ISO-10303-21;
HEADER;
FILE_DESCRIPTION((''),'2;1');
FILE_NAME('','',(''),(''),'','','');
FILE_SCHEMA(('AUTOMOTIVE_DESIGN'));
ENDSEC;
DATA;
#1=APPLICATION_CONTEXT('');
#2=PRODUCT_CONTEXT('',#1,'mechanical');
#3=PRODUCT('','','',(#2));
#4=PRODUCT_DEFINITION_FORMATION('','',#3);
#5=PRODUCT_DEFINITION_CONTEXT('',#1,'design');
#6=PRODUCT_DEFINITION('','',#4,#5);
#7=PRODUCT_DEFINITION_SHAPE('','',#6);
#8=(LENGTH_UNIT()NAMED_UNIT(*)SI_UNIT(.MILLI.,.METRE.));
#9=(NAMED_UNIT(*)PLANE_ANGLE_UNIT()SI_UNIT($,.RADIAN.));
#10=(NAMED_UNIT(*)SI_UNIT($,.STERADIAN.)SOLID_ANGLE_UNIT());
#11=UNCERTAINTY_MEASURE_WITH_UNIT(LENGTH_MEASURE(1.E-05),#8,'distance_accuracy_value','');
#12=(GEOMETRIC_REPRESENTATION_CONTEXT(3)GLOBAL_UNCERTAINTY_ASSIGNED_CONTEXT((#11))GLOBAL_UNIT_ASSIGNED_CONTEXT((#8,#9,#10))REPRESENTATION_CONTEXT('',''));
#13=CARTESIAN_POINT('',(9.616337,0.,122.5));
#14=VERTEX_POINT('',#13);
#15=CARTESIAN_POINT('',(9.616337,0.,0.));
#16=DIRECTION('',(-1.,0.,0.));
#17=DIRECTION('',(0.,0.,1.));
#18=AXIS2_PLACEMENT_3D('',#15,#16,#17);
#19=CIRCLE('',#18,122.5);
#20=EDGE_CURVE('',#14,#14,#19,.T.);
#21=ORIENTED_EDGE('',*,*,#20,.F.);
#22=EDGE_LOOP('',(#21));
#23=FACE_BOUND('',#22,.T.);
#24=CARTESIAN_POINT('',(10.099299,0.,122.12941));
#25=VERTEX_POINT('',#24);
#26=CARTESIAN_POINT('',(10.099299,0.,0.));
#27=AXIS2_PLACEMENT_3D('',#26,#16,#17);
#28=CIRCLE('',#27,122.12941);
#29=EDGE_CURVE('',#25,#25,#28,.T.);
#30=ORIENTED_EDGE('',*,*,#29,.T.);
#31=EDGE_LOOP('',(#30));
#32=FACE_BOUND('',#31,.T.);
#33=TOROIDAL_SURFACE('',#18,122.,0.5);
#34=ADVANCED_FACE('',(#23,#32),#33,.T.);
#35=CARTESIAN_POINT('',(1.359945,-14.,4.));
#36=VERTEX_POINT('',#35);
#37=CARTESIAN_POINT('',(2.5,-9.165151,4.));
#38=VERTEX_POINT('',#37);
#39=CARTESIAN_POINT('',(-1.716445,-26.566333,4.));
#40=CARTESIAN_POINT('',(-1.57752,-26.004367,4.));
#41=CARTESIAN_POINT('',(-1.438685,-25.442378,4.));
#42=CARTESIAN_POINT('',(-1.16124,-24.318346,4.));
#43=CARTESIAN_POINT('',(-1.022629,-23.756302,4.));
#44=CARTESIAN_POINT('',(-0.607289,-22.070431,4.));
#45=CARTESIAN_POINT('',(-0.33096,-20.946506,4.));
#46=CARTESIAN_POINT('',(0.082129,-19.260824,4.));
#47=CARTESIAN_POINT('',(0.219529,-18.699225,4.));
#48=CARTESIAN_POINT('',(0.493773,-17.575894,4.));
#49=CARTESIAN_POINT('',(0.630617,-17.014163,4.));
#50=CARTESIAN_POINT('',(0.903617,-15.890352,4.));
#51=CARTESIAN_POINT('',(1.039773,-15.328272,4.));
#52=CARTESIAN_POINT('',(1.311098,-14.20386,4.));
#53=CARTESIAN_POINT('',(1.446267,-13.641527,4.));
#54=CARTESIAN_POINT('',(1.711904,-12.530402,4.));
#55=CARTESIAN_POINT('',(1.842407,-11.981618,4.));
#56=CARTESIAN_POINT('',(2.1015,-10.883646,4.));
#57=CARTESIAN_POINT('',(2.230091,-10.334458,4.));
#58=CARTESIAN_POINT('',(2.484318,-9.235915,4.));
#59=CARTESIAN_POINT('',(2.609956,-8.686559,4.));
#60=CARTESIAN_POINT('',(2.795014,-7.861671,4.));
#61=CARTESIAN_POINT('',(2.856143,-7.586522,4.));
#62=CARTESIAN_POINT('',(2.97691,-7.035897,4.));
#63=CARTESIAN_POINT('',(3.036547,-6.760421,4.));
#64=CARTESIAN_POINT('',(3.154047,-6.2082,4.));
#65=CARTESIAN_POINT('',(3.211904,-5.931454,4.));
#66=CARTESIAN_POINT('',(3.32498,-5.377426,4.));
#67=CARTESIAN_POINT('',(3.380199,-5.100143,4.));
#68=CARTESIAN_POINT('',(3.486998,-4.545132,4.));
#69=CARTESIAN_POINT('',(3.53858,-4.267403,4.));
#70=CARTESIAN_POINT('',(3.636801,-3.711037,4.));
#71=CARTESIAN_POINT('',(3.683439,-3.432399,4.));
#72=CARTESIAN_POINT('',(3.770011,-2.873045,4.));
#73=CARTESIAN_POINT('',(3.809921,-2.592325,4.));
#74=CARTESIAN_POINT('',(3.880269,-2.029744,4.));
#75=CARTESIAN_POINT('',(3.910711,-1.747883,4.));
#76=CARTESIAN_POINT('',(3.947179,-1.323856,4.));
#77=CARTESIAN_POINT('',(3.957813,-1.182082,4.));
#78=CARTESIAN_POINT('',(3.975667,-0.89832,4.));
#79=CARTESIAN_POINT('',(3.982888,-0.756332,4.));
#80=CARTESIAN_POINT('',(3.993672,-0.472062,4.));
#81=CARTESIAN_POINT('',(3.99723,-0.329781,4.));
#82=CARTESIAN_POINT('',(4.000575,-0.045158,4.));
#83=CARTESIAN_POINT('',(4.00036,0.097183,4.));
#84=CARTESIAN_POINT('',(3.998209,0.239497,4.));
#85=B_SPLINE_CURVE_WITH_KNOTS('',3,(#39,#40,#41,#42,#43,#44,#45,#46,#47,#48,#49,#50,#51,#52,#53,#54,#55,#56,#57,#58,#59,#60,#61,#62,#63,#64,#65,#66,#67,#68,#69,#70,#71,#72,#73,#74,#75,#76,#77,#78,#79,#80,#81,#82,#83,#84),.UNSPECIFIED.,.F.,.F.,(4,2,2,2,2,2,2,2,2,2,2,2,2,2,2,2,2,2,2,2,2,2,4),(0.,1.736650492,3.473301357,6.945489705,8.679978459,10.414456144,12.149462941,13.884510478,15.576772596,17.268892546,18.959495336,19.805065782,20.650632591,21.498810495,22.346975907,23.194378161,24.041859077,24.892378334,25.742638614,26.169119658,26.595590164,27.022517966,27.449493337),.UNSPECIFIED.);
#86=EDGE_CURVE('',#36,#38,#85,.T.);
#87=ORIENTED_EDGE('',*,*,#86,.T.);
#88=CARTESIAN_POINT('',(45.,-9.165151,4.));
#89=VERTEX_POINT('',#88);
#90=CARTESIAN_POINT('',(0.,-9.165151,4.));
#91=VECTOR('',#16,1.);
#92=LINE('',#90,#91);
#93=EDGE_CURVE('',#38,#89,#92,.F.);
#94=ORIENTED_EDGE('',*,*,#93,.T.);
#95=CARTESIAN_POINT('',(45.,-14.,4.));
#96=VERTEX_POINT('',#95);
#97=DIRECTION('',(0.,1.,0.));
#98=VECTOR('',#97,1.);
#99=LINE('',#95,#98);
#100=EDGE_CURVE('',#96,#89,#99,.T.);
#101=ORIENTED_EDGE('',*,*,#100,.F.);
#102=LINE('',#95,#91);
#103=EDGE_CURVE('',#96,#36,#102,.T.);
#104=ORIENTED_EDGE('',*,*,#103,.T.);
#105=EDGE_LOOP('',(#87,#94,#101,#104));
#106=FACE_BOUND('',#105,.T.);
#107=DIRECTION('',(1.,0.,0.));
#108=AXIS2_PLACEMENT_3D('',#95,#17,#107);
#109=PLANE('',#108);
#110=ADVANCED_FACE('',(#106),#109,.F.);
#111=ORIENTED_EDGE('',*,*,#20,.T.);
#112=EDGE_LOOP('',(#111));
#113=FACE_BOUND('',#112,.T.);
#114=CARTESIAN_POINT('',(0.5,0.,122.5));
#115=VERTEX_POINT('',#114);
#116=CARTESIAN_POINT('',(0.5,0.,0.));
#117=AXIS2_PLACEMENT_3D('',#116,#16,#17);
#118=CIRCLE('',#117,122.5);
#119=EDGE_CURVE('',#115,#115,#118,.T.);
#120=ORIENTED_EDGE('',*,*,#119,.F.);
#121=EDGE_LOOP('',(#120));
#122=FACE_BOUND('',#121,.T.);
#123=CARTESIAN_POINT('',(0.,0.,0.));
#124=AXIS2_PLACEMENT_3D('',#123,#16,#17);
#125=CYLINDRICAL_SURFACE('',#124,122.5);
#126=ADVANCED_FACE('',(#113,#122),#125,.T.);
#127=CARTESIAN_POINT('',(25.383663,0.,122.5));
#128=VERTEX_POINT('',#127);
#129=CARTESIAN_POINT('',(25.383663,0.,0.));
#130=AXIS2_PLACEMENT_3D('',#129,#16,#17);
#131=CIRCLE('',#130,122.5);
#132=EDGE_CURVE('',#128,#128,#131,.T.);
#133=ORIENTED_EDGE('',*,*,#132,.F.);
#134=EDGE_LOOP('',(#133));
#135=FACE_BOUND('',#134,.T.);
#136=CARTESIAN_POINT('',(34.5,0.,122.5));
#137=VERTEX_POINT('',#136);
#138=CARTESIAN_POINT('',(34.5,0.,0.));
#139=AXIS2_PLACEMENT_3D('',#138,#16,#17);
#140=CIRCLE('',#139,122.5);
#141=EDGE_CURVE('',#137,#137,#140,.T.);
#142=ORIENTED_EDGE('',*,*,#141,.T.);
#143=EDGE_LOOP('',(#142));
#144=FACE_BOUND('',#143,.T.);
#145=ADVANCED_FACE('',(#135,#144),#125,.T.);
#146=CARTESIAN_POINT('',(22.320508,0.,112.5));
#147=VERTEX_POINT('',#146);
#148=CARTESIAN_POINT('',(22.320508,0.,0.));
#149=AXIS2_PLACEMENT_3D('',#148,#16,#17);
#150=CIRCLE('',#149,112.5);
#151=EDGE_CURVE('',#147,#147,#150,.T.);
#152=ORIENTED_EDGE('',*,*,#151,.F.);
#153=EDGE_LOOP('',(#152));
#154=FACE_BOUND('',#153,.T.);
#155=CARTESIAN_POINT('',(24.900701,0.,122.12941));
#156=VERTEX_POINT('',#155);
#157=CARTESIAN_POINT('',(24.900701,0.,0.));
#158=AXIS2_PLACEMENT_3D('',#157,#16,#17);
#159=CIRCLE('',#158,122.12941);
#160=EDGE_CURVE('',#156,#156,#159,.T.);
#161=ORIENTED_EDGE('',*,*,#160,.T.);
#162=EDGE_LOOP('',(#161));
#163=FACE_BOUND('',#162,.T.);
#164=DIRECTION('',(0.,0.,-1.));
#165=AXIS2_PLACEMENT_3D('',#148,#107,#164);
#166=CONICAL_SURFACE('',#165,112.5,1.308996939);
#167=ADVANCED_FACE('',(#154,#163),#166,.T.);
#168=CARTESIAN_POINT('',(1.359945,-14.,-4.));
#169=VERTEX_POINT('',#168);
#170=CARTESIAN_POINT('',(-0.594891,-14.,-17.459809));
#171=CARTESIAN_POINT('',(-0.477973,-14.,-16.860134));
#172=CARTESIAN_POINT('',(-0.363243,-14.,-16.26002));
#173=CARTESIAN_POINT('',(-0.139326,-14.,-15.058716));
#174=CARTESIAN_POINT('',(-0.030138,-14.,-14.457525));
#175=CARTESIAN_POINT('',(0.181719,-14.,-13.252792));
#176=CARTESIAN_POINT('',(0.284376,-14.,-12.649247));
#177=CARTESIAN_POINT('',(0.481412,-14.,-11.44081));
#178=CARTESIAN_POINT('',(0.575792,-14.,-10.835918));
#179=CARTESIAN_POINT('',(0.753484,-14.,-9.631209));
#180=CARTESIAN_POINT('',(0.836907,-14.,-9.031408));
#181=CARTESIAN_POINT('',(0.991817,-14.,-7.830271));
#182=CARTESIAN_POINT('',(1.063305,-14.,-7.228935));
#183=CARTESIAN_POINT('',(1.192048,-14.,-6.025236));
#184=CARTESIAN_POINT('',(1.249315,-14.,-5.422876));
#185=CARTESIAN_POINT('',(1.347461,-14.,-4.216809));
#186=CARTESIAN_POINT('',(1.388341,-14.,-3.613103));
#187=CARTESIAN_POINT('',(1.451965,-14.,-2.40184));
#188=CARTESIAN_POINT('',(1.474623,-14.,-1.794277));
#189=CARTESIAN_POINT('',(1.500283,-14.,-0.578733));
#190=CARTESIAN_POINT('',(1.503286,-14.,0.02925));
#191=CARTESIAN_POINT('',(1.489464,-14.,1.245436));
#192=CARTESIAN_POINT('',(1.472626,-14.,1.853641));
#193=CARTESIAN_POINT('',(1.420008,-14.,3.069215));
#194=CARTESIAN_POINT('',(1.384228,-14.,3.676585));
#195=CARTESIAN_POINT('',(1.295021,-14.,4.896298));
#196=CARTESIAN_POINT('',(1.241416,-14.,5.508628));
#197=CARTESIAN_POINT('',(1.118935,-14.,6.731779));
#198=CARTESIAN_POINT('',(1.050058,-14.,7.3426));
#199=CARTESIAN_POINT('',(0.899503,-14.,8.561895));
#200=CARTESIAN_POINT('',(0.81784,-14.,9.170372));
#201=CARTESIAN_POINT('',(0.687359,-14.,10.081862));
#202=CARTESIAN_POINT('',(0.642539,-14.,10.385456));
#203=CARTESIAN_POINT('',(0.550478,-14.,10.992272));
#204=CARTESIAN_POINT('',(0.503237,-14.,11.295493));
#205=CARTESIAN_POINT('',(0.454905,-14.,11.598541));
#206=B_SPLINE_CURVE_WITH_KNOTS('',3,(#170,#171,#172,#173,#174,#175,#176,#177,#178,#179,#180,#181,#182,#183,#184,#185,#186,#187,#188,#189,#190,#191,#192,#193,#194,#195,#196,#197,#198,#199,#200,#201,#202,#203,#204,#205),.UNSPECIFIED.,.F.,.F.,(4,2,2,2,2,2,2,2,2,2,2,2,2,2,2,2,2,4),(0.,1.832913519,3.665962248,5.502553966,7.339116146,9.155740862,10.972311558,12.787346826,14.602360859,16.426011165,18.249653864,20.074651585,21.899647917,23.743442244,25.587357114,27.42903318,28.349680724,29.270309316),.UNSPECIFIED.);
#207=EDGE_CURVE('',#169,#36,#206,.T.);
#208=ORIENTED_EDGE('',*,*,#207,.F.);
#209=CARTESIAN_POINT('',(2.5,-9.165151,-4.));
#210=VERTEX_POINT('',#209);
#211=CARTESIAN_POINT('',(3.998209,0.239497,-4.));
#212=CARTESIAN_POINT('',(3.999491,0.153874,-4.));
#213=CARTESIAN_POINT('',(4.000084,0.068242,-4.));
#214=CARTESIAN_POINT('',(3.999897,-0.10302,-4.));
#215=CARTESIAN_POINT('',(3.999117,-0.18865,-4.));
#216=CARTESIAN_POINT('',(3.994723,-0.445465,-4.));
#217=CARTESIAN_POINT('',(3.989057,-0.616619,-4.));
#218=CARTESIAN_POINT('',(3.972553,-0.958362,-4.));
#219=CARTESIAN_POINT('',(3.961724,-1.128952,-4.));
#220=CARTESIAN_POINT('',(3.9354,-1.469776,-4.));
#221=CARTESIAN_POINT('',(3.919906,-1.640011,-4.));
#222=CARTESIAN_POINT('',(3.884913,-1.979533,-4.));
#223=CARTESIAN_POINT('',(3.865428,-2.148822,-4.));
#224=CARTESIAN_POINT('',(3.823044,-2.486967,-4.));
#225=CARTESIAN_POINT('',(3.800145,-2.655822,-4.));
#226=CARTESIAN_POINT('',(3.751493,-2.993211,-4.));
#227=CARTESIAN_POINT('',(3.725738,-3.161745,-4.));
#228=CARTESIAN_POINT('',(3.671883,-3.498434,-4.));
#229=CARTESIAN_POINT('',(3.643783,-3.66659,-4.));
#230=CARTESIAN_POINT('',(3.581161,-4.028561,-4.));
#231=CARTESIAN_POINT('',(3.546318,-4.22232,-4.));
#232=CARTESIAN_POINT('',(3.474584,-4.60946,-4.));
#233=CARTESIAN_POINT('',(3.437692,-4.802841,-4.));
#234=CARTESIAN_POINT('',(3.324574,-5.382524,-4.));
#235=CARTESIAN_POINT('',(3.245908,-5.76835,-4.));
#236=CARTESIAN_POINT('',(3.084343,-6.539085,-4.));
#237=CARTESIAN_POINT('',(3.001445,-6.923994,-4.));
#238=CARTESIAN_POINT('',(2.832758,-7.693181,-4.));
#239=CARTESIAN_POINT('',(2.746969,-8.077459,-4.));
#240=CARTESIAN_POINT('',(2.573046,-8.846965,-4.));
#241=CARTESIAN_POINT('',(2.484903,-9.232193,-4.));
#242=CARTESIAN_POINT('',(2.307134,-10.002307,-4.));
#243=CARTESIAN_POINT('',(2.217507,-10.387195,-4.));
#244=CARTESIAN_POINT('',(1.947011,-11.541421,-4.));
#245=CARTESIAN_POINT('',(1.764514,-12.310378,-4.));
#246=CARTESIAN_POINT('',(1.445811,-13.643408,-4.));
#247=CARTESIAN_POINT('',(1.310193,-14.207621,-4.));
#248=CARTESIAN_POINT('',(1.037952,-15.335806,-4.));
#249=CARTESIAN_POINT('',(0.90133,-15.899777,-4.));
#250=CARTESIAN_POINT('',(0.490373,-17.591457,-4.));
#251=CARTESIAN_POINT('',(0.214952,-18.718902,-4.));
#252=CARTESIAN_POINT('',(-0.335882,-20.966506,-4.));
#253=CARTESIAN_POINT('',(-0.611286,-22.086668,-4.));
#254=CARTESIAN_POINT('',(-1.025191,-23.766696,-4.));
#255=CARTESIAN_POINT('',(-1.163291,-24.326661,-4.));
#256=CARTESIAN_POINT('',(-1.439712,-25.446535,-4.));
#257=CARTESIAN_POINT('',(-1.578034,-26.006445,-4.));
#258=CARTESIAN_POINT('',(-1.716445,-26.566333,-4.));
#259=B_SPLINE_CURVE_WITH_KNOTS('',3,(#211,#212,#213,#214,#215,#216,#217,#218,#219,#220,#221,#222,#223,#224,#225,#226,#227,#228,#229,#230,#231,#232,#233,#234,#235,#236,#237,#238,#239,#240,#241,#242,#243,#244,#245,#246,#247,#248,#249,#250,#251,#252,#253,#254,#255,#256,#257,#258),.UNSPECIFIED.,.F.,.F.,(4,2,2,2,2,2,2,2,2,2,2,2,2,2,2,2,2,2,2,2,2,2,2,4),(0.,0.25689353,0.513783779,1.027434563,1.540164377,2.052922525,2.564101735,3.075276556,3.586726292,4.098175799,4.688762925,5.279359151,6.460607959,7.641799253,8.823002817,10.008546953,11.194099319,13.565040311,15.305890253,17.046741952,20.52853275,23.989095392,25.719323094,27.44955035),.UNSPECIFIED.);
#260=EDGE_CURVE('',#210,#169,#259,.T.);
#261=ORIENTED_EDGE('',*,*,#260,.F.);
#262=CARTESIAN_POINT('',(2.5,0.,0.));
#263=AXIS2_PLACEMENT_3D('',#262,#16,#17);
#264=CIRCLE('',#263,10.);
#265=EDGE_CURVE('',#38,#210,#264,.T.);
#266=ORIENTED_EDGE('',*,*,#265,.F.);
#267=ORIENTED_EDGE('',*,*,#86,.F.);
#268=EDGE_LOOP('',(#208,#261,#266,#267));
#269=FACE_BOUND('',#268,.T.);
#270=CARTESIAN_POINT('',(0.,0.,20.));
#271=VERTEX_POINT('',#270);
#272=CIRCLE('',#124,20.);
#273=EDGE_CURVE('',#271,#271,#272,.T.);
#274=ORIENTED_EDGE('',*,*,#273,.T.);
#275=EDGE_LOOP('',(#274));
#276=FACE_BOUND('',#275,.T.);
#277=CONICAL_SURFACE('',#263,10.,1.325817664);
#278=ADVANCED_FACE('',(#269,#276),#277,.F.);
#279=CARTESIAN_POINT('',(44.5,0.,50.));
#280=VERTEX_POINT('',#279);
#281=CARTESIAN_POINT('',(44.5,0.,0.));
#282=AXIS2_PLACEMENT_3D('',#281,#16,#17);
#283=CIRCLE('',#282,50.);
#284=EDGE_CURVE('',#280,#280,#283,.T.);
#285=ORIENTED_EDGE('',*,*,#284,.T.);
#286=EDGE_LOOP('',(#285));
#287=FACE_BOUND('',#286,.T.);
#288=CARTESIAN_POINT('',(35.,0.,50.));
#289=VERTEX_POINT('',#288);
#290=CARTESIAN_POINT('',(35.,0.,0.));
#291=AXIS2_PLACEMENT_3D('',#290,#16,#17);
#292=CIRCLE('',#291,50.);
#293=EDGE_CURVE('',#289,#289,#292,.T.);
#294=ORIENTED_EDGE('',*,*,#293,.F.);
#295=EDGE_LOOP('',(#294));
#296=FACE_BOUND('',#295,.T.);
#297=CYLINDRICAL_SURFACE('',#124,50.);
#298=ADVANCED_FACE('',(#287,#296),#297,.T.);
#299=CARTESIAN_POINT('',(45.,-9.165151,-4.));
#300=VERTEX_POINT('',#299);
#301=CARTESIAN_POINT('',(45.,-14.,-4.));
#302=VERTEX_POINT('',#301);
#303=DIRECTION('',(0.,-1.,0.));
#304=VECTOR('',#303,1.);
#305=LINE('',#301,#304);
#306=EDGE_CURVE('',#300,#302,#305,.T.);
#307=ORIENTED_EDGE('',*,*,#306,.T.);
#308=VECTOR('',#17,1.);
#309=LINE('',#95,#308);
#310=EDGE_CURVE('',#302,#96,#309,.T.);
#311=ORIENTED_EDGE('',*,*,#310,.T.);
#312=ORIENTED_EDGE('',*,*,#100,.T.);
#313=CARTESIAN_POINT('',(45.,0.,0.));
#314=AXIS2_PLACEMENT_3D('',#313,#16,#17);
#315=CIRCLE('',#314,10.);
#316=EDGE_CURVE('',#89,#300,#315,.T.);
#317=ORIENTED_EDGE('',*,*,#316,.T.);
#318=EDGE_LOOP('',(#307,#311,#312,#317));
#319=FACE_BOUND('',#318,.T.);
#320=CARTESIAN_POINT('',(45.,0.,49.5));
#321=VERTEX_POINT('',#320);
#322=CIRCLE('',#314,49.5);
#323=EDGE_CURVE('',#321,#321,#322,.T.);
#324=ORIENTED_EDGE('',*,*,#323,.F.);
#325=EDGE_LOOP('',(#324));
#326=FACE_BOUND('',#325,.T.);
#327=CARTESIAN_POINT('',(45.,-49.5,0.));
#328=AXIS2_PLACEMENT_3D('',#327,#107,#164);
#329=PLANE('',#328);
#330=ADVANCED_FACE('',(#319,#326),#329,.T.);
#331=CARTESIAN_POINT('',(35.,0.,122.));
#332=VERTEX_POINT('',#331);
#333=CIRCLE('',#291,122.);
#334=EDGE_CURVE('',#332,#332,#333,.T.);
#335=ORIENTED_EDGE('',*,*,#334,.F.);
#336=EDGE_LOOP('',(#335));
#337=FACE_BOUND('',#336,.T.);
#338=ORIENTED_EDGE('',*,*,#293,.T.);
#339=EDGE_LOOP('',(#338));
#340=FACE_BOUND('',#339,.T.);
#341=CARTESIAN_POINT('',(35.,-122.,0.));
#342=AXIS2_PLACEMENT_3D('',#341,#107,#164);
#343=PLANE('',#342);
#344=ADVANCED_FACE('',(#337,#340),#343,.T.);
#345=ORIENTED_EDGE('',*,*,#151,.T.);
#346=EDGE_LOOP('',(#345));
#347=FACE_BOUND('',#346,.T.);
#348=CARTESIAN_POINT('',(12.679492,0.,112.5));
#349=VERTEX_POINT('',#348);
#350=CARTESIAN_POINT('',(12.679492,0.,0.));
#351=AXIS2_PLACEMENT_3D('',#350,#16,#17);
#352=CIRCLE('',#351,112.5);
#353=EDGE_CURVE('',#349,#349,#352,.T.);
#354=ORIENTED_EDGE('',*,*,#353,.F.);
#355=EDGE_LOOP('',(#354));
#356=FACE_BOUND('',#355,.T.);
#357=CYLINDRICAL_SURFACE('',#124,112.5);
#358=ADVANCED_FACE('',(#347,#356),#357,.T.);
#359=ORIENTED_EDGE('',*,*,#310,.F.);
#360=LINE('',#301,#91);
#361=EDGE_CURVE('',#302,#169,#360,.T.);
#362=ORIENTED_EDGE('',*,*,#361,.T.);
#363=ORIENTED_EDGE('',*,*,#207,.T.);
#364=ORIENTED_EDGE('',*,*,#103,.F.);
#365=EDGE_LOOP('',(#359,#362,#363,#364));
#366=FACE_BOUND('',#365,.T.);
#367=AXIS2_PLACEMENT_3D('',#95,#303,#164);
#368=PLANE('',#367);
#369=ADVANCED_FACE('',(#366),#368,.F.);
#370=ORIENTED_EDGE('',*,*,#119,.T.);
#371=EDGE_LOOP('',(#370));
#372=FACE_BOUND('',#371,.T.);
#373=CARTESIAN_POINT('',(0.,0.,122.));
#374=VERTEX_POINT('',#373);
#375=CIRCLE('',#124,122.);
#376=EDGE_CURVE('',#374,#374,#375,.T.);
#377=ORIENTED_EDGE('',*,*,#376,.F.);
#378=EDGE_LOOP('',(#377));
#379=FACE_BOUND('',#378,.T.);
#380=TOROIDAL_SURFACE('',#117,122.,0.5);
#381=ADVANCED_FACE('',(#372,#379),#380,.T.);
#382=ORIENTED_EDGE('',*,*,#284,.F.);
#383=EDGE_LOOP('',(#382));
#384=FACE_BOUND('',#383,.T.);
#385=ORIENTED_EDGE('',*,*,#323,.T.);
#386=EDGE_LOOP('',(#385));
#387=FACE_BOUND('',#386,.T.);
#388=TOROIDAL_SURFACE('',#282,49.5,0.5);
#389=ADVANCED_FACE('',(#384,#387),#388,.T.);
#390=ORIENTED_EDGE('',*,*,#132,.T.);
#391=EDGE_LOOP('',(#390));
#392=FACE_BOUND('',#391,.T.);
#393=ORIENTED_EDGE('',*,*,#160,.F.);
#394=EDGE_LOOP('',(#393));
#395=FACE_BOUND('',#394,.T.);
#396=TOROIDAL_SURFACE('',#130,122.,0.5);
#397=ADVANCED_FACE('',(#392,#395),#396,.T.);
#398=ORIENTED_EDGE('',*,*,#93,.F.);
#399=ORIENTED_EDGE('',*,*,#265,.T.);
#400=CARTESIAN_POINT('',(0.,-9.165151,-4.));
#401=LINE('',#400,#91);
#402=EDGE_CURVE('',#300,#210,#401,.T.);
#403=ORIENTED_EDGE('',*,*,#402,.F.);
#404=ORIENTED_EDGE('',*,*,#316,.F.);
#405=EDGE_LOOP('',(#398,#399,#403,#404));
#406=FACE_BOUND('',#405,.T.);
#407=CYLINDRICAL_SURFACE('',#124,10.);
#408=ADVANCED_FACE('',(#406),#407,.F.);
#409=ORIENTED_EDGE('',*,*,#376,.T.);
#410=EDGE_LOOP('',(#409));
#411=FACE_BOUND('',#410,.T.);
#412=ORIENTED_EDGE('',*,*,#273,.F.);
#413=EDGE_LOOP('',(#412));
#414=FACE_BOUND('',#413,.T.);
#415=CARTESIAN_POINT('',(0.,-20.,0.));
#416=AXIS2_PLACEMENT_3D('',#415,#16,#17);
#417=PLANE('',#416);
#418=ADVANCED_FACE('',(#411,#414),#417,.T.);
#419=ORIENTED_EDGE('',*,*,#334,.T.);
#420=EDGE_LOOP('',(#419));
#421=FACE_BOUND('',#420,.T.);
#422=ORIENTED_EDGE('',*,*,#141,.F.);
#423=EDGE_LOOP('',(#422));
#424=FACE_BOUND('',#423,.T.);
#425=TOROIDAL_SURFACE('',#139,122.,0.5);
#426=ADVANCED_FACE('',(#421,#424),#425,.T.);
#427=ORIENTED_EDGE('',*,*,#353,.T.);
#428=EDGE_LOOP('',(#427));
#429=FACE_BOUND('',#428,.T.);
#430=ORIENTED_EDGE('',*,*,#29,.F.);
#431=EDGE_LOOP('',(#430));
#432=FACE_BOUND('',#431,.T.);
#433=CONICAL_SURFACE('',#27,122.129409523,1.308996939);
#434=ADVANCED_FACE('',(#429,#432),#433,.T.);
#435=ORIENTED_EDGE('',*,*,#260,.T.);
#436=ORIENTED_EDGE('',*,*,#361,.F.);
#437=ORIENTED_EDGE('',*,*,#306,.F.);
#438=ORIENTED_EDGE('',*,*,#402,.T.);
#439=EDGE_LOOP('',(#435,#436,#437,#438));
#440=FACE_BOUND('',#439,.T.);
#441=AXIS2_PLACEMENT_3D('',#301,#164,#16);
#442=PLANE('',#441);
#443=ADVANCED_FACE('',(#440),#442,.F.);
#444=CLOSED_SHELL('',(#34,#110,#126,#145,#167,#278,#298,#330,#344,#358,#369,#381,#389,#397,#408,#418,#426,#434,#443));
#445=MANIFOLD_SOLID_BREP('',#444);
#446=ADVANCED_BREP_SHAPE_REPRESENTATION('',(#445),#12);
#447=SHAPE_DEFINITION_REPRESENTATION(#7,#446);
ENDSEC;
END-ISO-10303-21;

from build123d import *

# Parameters (mm, degrees)
ESBO_O1_W             = 8
ESBO_O1_H             = 8
CORTE_EXTRUS_O1_DEPTH = 46


with BuildPart() as part:
    # Sketch1 → Revolve1 (revolve)
    with BuildSketch(Plane.XY):
        with BuildLine():
            Line((0, -20), (0, -122))
            ThreePointArc((0, -122), (0.146446609, -122.353553391), (0.5, -122.5))
            Line((0.5, -122.5), (9.616336506, -122.5))
            ThreePointArc((9.616336506, -122.5), (9.920717221, -122.39667667), (10.099299419, -122.129409523))
            Line((10.099299419, -122.129409523), (12.679491924, -112.5))
            Line((12.679491924, -112.5), (22.320508076, -112.5))
            Line((22.320508076, -112.5), (24.900700581, -122.129409523))
            ThreePointArc((24.900700581, -122.129409523), (25.079282779, -122.39667667), (25.383663494, -122.5))
            Line((25.383663494, -122.5), (34.5, -122.5))
            ThreePointArc((34.5, -122.5), (34.853553391, -122.353553391), (35, -122))
            Line((35, -122), (35, -50))
            Line((35, -50), (44.5, -50))
            ThreePointArc((44.5, -50), (44.853553391, -49.853553391), (45, -49.5))
            Line((45, -49.5), (45, -10))
            Line((45, -10), (2.5, -10))
            Line((2.5, -10), (0, -20))
        make_face()
    revolve(axis=Axis((0, 0, 0), (1, 0, 0)))

    # Esboço1 → Corte-extrusão1 (cut, through all)
    with BuildSketch(Plane.ZY):
        with Locations((0, -10)):
            Rectangle(ESBO_O1_W, ESBO_O1_H)
    extrude(amount=-CORTE_EXTRUS_O1_DEPTH, mode=Mode.SUBTRACT)


solid = part.part
